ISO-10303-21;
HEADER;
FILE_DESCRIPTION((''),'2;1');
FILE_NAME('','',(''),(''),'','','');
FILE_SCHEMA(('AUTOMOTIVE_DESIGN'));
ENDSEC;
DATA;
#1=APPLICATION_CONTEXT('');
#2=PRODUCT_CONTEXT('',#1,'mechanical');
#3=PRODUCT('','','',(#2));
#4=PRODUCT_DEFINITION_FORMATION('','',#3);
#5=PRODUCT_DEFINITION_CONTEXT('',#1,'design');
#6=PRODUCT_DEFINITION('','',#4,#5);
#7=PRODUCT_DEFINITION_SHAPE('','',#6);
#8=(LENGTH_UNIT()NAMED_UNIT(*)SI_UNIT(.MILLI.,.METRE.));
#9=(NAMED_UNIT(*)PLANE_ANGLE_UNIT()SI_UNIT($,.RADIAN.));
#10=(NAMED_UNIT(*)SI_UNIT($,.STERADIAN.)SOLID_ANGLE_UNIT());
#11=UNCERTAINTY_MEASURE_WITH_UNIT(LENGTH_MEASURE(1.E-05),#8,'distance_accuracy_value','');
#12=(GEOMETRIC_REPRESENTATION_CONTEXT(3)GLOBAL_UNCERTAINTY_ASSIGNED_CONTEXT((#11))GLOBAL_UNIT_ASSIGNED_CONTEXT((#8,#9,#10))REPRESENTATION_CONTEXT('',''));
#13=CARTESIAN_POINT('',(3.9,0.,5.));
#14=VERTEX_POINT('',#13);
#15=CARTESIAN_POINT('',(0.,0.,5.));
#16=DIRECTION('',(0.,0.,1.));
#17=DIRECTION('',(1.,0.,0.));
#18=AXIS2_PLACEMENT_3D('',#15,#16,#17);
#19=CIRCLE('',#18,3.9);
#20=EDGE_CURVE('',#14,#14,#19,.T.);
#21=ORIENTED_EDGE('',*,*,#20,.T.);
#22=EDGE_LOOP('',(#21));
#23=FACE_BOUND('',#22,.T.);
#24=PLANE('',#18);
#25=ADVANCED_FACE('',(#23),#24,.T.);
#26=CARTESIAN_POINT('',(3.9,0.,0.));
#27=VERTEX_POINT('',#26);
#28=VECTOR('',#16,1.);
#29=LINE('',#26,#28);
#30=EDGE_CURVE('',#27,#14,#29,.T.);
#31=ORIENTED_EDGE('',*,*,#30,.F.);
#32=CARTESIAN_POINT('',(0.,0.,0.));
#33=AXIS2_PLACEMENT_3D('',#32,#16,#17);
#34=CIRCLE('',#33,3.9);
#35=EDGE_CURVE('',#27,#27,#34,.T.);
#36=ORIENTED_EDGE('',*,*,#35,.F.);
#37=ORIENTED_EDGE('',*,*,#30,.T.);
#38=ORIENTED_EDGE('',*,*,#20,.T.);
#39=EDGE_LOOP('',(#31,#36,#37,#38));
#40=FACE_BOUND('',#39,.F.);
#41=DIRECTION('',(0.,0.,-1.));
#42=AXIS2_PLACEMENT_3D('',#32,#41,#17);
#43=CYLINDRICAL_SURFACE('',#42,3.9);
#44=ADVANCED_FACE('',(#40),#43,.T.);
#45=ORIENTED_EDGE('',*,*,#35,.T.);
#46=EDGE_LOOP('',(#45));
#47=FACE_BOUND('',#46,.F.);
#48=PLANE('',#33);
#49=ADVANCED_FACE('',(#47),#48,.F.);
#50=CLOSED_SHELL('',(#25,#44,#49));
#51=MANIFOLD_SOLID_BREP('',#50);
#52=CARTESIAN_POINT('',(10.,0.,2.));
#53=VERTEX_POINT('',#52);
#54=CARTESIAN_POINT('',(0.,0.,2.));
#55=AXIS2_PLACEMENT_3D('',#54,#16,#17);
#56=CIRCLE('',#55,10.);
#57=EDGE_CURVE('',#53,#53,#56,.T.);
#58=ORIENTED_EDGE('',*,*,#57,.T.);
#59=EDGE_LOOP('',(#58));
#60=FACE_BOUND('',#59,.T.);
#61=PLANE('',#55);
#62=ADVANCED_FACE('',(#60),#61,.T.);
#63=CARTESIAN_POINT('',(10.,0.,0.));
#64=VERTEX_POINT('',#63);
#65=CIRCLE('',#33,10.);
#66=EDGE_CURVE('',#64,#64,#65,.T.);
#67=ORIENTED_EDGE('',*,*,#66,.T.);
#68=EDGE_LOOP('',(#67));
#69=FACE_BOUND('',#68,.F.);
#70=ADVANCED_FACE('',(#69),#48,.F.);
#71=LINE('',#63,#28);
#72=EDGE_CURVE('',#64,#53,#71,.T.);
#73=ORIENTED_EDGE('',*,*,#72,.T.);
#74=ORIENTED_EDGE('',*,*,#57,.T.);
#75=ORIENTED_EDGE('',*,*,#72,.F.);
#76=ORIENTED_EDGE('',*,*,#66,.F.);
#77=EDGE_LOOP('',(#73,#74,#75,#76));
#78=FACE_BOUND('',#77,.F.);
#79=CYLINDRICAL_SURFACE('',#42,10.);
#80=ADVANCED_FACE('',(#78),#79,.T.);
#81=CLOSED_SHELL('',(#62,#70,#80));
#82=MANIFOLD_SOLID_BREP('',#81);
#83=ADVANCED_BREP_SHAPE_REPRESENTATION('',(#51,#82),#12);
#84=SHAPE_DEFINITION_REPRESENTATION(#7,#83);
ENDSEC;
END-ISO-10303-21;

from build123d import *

# Parameters (mm, degrees)
F0_R     = 10
F2_DEPTH = 2
F1_R     = 3.9
F3_DEPTH = 5


with BuildPart() as f2:
    # F0 (on Top) → F2 (new body)
    with BuildSketch(Plane.XY):
        Circle(F0_R)
    extrude(amount=F2_DEPTH)


with BuildPart() as f3:
    # F1 (on Top) → F3 (new body)
    with BuildSketch(Plane.XY):
        Circle(F1_R)
    extrude(amount=F3_DEPTH)


solid = Compound([f2.part, f3.part])
